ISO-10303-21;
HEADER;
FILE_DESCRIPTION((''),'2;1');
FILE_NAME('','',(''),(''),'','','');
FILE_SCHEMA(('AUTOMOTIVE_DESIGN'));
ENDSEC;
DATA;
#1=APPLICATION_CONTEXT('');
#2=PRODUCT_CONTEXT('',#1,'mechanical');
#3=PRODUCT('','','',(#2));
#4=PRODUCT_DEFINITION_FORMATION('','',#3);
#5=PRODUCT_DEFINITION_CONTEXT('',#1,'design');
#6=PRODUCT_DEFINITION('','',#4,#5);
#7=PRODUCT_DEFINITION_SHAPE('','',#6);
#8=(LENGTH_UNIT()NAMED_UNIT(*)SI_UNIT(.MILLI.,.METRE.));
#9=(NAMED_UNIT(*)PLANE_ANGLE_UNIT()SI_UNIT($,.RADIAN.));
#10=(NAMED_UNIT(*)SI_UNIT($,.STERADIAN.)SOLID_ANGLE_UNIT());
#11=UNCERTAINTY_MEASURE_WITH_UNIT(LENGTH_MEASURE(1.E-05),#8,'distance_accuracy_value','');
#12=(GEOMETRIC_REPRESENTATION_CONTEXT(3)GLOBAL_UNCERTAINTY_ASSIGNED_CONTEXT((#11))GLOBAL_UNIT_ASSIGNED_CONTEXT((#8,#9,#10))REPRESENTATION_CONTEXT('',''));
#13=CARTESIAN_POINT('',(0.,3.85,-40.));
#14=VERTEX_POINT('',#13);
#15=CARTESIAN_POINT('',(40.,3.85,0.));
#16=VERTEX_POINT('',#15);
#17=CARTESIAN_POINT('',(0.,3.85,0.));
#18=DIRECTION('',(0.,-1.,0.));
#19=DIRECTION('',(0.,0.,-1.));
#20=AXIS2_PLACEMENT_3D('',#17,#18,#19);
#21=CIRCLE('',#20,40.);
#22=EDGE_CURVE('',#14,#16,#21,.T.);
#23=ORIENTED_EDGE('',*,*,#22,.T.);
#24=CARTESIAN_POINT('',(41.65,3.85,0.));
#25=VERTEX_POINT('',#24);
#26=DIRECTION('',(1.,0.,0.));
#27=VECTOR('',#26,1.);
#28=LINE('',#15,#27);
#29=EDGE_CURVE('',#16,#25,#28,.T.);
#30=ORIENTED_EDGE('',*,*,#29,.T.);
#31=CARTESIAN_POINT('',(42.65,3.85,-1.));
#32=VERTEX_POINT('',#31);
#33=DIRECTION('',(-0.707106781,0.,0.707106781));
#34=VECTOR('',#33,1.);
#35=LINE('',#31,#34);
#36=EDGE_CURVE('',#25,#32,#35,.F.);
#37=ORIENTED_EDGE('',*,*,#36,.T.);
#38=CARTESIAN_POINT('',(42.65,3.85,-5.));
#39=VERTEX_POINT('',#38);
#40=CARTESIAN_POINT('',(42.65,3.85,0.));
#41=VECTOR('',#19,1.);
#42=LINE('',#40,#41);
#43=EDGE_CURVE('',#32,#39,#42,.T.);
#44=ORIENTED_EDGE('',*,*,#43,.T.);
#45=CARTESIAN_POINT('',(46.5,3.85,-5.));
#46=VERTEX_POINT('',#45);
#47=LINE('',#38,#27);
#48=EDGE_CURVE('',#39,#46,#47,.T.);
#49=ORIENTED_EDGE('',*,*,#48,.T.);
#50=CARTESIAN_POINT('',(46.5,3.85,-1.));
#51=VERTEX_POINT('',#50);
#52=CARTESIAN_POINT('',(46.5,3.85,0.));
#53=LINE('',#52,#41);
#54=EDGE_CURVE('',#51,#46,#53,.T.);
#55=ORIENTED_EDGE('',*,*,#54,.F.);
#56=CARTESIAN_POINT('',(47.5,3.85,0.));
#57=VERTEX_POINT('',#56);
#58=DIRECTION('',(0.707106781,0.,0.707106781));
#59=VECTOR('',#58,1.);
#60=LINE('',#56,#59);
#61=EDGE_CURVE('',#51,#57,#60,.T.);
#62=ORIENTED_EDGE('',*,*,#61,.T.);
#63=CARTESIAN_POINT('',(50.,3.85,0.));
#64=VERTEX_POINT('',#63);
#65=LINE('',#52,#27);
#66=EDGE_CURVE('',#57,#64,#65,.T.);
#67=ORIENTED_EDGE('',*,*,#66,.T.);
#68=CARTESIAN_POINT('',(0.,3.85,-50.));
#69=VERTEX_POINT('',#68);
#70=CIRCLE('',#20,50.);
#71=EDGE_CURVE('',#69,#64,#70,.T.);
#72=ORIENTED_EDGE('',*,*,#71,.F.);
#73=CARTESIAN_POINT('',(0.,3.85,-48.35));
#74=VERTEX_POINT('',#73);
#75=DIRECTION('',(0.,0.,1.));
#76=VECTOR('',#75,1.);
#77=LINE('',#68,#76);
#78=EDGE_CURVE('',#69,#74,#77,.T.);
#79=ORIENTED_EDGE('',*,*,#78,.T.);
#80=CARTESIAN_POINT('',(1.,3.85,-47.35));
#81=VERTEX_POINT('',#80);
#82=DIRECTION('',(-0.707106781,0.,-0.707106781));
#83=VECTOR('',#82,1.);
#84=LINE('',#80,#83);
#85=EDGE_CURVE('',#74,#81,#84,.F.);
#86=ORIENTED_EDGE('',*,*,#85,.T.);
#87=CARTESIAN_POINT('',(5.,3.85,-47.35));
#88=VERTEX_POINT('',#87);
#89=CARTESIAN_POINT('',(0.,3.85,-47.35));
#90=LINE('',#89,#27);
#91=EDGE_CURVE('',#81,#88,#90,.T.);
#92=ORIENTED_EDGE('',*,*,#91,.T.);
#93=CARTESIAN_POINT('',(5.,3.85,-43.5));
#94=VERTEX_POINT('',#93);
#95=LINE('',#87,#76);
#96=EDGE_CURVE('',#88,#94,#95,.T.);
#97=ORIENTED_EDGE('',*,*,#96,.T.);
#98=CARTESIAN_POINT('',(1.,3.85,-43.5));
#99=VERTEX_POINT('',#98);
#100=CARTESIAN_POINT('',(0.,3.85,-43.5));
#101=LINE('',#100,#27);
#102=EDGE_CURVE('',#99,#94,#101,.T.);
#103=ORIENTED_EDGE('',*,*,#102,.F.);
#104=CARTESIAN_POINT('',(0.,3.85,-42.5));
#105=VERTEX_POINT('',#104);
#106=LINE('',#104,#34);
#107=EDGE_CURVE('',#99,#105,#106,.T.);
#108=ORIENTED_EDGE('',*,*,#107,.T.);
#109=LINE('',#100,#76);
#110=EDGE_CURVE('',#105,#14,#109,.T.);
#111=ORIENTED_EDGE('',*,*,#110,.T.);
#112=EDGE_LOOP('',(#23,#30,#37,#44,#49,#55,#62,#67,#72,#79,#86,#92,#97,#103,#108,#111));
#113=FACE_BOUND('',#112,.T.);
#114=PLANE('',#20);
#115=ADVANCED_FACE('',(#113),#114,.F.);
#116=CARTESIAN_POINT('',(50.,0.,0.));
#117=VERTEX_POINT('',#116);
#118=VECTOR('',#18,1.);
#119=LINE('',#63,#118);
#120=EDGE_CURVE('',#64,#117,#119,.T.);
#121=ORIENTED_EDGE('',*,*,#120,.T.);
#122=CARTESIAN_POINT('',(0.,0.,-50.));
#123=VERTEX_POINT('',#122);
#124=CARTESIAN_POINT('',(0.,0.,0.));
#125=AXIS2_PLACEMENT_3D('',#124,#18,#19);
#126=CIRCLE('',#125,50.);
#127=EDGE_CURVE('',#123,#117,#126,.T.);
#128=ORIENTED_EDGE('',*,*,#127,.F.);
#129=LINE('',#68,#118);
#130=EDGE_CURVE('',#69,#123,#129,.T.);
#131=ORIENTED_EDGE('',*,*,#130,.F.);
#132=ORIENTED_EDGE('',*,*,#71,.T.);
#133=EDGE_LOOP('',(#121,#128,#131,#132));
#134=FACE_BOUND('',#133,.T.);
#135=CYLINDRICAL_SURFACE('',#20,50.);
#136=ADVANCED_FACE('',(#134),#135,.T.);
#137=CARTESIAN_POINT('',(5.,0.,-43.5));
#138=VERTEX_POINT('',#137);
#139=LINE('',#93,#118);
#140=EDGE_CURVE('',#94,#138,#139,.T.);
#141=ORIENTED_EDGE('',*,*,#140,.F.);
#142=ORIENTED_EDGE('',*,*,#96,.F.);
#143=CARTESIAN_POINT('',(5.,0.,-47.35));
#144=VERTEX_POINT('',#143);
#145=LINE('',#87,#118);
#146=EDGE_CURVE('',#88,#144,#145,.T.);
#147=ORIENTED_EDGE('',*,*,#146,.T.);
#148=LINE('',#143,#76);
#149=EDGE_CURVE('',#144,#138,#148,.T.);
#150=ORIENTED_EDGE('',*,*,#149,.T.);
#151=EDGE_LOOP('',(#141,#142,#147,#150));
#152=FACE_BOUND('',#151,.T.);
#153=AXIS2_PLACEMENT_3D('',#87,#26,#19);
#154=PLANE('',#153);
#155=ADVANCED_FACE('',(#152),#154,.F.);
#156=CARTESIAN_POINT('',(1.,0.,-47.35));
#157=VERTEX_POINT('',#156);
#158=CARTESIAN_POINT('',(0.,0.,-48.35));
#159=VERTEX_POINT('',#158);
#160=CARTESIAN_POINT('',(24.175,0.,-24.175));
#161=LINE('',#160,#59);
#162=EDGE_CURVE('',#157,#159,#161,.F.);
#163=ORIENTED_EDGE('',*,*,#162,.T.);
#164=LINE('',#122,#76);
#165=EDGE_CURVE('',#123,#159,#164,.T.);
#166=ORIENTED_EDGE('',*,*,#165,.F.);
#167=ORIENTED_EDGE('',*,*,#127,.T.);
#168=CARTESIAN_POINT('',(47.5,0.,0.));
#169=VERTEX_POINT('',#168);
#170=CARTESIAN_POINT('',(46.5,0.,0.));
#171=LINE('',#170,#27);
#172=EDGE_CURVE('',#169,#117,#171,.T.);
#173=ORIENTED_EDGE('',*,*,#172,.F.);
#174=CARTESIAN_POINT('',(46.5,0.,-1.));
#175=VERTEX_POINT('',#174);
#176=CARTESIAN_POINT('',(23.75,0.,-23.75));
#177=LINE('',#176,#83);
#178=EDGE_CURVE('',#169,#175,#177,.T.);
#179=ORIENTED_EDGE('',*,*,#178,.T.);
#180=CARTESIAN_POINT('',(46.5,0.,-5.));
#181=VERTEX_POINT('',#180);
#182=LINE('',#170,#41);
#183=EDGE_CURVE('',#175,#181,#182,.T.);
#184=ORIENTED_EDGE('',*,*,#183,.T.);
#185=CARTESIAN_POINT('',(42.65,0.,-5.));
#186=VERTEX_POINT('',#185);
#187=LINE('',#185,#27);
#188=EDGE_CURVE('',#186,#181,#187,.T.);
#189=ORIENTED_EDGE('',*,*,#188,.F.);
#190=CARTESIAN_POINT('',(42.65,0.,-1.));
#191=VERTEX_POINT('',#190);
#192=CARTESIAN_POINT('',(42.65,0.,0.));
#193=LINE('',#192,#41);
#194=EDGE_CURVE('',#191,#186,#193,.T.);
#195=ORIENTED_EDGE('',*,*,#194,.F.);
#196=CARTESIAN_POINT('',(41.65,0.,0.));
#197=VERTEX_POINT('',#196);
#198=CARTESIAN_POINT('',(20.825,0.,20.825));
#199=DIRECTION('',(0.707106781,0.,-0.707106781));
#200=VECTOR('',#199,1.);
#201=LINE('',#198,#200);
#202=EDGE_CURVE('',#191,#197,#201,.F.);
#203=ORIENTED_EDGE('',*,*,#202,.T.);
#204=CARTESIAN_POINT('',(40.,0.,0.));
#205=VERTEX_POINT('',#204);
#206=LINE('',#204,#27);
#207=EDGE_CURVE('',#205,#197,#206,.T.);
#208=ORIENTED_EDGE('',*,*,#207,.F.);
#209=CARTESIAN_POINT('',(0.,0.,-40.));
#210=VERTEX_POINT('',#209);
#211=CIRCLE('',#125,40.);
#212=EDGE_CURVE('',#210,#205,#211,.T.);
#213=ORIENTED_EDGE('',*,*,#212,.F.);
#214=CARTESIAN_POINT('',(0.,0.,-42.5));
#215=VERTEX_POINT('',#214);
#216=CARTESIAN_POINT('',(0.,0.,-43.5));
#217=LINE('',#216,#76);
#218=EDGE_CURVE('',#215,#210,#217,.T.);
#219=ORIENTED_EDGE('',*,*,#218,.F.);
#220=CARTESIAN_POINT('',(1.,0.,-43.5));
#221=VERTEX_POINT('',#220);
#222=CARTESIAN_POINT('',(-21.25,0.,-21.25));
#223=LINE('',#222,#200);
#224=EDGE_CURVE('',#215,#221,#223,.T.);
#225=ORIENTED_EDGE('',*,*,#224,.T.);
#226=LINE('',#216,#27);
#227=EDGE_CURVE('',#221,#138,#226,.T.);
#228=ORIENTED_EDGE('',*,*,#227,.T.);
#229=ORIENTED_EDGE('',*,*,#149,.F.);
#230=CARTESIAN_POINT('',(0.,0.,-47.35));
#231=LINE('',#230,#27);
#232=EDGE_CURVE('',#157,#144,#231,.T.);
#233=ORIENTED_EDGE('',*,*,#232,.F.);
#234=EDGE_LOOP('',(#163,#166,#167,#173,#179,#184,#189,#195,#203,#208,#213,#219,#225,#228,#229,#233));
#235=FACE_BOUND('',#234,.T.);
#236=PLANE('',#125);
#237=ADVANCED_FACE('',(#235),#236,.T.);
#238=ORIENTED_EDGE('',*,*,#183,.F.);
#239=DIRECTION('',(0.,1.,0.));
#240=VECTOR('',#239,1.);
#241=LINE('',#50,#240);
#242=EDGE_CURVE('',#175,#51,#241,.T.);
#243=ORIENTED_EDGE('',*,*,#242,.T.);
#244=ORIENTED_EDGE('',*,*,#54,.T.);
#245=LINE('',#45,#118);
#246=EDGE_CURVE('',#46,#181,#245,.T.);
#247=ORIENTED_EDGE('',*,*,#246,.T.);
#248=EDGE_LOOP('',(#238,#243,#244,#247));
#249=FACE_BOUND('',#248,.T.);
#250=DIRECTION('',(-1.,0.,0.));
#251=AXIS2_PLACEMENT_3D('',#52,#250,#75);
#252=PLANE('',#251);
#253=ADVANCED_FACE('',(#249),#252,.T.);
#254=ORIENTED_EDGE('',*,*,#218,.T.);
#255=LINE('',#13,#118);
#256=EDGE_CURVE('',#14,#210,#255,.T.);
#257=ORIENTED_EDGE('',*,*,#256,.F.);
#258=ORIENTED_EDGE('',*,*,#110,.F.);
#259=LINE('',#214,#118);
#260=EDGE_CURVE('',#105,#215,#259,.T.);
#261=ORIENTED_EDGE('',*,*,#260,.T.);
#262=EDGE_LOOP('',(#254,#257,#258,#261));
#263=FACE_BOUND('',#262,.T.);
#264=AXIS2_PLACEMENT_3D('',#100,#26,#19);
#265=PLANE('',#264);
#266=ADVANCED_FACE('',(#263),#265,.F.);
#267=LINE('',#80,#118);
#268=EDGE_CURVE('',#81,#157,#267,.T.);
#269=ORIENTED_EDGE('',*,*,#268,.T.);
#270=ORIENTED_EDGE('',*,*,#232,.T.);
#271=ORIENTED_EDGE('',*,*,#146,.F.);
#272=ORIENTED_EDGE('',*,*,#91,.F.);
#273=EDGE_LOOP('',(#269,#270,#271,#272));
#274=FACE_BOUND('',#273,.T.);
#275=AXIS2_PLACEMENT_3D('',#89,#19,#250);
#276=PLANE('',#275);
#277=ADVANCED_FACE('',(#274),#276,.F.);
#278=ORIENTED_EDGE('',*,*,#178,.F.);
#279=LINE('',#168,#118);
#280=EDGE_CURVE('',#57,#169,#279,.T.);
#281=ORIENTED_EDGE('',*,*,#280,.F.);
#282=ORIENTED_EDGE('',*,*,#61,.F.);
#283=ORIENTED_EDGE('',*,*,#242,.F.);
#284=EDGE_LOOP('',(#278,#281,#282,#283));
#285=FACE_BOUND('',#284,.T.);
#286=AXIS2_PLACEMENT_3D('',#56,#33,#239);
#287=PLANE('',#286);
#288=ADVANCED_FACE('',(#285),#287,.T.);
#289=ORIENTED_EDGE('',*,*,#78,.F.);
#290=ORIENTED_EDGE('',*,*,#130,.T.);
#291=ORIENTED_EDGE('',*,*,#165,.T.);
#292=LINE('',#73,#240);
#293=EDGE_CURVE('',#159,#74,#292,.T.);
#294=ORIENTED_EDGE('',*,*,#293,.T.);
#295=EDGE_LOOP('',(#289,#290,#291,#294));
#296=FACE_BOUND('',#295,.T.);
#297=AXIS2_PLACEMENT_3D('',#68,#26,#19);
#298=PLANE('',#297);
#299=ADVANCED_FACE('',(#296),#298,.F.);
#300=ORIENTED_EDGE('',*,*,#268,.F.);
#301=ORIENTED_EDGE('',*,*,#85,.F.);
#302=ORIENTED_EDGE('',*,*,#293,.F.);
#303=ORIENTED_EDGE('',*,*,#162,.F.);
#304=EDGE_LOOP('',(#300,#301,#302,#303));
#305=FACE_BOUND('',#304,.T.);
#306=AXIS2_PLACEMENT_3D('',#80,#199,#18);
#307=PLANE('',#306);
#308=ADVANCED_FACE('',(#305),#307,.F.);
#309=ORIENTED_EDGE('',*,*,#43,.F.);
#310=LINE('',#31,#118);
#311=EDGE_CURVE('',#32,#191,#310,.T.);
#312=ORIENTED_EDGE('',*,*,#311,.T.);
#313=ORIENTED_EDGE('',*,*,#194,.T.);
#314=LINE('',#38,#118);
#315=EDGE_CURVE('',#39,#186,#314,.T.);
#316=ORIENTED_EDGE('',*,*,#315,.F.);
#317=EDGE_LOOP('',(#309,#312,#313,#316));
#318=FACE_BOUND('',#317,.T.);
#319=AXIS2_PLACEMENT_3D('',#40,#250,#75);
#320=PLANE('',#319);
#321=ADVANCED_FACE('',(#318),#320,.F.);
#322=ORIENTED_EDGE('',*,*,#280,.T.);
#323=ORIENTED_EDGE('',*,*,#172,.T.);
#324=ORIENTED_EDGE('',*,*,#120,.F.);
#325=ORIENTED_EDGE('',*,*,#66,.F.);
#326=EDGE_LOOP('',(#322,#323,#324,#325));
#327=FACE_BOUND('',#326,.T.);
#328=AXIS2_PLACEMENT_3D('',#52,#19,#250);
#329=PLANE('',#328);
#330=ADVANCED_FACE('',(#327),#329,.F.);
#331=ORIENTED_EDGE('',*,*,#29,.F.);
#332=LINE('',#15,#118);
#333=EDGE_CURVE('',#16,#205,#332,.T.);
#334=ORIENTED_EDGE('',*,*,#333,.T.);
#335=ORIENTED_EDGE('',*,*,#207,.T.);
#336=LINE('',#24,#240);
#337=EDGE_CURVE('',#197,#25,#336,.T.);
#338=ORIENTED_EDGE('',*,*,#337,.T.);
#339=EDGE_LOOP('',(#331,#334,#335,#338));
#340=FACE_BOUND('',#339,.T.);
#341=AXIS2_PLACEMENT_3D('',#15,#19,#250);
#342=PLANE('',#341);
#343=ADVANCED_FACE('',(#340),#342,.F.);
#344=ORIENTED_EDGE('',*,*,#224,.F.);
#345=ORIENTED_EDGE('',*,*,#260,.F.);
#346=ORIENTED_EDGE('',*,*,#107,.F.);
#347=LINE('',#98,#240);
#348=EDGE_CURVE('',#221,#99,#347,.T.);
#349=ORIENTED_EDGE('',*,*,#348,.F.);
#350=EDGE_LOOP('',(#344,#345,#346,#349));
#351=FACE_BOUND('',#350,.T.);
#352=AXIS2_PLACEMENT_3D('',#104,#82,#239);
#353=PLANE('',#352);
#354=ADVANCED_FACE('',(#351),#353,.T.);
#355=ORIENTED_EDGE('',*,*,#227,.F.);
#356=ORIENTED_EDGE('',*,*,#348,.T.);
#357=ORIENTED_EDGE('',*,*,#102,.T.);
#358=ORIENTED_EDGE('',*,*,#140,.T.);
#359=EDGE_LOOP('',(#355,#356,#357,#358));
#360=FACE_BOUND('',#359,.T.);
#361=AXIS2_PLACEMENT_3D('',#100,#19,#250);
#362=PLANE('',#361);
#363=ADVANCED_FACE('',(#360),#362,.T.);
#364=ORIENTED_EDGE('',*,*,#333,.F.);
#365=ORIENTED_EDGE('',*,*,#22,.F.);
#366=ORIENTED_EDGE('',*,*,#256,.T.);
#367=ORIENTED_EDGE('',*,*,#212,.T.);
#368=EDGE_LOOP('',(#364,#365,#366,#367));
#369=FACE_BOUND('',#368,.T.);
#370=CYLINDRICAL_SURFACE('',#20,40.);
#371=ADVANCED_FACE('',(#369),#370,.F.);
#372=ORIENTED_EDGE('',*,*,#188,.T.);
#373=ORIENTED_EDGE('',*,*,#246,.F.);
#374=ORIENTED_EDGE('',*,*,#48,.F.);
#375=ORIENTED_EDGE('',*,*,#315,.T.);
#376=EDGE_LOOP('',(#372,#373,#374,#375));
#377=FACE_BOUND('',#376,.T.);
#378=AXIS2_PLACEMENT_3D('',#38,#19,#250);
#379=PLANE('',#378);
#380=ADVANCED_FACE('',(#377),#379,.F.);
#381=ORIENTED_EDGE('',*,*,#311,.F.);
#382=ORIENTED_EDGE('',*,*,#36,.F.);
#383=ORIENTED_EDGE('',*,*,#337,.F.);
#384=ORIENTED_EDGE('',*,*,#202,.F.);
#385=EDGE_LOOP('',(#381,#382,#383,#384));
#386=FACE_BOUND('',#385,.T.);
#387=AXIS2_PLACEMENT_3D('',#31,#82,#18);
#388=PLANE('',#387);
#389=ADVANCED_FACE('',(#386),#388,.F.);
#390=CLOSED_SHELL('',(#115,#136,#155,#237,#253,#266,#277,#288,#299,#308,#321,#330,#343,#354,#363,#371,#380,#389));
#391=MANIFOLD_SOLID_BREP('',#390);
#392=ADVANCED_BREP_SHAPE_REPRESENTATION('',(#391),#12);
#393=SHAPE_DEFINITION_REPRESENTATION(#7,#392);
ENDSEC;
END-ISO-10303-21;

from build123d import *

# Parameters (mm, degrees)
BOSS_EXTRUDE1_DEPTH = 3.85
CHAMFER1_SIZE       = 1


with BuildPart() as part:
    # Sketch1 → Boss-Extrude1 (new body)
    with BuildSketch(Plane(origin=(0, 0, 0), x_dir=(1, 0, 0), z_dir=(0, 1, 0))):
        with BuildLine():
            Line((0, 50), (0, 47.35))
            Line((0, 47.35), (5, 47.35))
            Line((5, 47.35), (5, 43.5))
            Line((5, 43.5), (0, 43.5))
            Line((0, 43.5), (0, 40))
            ThreePointArc((0, 40), (28.284271247, 28.284271247), (40, 0))
            Line((40, 0), (42.65, 0))
            Line((42.65, 0), (42.65, 5))
            Line((42.65, 5), (46.5, 5))
            Line((46.5, 5), (46.5, 0))
            Line((46.5, 0), (50, 0))
            ThreePointArc((50, 0), (35.355339059, 35.355339059), (0, 50))
        make_face()
    extrude(amount=BOSS_EXTRUDE1_DEPTH)

    # Chamfer1
    chamfer1_edges = [part.edges().sort_by_distance(p)[0] for p in [
        (0, 1.925, -43.5),
        (0, 1.925, -47.35),
        (46.5, 1.925, 0),
        (42.65, 1.925, 0),
    ]]
    chamfer(chamfer1_edges, length=CHAMFER1_SIZE)


solid = part.part
